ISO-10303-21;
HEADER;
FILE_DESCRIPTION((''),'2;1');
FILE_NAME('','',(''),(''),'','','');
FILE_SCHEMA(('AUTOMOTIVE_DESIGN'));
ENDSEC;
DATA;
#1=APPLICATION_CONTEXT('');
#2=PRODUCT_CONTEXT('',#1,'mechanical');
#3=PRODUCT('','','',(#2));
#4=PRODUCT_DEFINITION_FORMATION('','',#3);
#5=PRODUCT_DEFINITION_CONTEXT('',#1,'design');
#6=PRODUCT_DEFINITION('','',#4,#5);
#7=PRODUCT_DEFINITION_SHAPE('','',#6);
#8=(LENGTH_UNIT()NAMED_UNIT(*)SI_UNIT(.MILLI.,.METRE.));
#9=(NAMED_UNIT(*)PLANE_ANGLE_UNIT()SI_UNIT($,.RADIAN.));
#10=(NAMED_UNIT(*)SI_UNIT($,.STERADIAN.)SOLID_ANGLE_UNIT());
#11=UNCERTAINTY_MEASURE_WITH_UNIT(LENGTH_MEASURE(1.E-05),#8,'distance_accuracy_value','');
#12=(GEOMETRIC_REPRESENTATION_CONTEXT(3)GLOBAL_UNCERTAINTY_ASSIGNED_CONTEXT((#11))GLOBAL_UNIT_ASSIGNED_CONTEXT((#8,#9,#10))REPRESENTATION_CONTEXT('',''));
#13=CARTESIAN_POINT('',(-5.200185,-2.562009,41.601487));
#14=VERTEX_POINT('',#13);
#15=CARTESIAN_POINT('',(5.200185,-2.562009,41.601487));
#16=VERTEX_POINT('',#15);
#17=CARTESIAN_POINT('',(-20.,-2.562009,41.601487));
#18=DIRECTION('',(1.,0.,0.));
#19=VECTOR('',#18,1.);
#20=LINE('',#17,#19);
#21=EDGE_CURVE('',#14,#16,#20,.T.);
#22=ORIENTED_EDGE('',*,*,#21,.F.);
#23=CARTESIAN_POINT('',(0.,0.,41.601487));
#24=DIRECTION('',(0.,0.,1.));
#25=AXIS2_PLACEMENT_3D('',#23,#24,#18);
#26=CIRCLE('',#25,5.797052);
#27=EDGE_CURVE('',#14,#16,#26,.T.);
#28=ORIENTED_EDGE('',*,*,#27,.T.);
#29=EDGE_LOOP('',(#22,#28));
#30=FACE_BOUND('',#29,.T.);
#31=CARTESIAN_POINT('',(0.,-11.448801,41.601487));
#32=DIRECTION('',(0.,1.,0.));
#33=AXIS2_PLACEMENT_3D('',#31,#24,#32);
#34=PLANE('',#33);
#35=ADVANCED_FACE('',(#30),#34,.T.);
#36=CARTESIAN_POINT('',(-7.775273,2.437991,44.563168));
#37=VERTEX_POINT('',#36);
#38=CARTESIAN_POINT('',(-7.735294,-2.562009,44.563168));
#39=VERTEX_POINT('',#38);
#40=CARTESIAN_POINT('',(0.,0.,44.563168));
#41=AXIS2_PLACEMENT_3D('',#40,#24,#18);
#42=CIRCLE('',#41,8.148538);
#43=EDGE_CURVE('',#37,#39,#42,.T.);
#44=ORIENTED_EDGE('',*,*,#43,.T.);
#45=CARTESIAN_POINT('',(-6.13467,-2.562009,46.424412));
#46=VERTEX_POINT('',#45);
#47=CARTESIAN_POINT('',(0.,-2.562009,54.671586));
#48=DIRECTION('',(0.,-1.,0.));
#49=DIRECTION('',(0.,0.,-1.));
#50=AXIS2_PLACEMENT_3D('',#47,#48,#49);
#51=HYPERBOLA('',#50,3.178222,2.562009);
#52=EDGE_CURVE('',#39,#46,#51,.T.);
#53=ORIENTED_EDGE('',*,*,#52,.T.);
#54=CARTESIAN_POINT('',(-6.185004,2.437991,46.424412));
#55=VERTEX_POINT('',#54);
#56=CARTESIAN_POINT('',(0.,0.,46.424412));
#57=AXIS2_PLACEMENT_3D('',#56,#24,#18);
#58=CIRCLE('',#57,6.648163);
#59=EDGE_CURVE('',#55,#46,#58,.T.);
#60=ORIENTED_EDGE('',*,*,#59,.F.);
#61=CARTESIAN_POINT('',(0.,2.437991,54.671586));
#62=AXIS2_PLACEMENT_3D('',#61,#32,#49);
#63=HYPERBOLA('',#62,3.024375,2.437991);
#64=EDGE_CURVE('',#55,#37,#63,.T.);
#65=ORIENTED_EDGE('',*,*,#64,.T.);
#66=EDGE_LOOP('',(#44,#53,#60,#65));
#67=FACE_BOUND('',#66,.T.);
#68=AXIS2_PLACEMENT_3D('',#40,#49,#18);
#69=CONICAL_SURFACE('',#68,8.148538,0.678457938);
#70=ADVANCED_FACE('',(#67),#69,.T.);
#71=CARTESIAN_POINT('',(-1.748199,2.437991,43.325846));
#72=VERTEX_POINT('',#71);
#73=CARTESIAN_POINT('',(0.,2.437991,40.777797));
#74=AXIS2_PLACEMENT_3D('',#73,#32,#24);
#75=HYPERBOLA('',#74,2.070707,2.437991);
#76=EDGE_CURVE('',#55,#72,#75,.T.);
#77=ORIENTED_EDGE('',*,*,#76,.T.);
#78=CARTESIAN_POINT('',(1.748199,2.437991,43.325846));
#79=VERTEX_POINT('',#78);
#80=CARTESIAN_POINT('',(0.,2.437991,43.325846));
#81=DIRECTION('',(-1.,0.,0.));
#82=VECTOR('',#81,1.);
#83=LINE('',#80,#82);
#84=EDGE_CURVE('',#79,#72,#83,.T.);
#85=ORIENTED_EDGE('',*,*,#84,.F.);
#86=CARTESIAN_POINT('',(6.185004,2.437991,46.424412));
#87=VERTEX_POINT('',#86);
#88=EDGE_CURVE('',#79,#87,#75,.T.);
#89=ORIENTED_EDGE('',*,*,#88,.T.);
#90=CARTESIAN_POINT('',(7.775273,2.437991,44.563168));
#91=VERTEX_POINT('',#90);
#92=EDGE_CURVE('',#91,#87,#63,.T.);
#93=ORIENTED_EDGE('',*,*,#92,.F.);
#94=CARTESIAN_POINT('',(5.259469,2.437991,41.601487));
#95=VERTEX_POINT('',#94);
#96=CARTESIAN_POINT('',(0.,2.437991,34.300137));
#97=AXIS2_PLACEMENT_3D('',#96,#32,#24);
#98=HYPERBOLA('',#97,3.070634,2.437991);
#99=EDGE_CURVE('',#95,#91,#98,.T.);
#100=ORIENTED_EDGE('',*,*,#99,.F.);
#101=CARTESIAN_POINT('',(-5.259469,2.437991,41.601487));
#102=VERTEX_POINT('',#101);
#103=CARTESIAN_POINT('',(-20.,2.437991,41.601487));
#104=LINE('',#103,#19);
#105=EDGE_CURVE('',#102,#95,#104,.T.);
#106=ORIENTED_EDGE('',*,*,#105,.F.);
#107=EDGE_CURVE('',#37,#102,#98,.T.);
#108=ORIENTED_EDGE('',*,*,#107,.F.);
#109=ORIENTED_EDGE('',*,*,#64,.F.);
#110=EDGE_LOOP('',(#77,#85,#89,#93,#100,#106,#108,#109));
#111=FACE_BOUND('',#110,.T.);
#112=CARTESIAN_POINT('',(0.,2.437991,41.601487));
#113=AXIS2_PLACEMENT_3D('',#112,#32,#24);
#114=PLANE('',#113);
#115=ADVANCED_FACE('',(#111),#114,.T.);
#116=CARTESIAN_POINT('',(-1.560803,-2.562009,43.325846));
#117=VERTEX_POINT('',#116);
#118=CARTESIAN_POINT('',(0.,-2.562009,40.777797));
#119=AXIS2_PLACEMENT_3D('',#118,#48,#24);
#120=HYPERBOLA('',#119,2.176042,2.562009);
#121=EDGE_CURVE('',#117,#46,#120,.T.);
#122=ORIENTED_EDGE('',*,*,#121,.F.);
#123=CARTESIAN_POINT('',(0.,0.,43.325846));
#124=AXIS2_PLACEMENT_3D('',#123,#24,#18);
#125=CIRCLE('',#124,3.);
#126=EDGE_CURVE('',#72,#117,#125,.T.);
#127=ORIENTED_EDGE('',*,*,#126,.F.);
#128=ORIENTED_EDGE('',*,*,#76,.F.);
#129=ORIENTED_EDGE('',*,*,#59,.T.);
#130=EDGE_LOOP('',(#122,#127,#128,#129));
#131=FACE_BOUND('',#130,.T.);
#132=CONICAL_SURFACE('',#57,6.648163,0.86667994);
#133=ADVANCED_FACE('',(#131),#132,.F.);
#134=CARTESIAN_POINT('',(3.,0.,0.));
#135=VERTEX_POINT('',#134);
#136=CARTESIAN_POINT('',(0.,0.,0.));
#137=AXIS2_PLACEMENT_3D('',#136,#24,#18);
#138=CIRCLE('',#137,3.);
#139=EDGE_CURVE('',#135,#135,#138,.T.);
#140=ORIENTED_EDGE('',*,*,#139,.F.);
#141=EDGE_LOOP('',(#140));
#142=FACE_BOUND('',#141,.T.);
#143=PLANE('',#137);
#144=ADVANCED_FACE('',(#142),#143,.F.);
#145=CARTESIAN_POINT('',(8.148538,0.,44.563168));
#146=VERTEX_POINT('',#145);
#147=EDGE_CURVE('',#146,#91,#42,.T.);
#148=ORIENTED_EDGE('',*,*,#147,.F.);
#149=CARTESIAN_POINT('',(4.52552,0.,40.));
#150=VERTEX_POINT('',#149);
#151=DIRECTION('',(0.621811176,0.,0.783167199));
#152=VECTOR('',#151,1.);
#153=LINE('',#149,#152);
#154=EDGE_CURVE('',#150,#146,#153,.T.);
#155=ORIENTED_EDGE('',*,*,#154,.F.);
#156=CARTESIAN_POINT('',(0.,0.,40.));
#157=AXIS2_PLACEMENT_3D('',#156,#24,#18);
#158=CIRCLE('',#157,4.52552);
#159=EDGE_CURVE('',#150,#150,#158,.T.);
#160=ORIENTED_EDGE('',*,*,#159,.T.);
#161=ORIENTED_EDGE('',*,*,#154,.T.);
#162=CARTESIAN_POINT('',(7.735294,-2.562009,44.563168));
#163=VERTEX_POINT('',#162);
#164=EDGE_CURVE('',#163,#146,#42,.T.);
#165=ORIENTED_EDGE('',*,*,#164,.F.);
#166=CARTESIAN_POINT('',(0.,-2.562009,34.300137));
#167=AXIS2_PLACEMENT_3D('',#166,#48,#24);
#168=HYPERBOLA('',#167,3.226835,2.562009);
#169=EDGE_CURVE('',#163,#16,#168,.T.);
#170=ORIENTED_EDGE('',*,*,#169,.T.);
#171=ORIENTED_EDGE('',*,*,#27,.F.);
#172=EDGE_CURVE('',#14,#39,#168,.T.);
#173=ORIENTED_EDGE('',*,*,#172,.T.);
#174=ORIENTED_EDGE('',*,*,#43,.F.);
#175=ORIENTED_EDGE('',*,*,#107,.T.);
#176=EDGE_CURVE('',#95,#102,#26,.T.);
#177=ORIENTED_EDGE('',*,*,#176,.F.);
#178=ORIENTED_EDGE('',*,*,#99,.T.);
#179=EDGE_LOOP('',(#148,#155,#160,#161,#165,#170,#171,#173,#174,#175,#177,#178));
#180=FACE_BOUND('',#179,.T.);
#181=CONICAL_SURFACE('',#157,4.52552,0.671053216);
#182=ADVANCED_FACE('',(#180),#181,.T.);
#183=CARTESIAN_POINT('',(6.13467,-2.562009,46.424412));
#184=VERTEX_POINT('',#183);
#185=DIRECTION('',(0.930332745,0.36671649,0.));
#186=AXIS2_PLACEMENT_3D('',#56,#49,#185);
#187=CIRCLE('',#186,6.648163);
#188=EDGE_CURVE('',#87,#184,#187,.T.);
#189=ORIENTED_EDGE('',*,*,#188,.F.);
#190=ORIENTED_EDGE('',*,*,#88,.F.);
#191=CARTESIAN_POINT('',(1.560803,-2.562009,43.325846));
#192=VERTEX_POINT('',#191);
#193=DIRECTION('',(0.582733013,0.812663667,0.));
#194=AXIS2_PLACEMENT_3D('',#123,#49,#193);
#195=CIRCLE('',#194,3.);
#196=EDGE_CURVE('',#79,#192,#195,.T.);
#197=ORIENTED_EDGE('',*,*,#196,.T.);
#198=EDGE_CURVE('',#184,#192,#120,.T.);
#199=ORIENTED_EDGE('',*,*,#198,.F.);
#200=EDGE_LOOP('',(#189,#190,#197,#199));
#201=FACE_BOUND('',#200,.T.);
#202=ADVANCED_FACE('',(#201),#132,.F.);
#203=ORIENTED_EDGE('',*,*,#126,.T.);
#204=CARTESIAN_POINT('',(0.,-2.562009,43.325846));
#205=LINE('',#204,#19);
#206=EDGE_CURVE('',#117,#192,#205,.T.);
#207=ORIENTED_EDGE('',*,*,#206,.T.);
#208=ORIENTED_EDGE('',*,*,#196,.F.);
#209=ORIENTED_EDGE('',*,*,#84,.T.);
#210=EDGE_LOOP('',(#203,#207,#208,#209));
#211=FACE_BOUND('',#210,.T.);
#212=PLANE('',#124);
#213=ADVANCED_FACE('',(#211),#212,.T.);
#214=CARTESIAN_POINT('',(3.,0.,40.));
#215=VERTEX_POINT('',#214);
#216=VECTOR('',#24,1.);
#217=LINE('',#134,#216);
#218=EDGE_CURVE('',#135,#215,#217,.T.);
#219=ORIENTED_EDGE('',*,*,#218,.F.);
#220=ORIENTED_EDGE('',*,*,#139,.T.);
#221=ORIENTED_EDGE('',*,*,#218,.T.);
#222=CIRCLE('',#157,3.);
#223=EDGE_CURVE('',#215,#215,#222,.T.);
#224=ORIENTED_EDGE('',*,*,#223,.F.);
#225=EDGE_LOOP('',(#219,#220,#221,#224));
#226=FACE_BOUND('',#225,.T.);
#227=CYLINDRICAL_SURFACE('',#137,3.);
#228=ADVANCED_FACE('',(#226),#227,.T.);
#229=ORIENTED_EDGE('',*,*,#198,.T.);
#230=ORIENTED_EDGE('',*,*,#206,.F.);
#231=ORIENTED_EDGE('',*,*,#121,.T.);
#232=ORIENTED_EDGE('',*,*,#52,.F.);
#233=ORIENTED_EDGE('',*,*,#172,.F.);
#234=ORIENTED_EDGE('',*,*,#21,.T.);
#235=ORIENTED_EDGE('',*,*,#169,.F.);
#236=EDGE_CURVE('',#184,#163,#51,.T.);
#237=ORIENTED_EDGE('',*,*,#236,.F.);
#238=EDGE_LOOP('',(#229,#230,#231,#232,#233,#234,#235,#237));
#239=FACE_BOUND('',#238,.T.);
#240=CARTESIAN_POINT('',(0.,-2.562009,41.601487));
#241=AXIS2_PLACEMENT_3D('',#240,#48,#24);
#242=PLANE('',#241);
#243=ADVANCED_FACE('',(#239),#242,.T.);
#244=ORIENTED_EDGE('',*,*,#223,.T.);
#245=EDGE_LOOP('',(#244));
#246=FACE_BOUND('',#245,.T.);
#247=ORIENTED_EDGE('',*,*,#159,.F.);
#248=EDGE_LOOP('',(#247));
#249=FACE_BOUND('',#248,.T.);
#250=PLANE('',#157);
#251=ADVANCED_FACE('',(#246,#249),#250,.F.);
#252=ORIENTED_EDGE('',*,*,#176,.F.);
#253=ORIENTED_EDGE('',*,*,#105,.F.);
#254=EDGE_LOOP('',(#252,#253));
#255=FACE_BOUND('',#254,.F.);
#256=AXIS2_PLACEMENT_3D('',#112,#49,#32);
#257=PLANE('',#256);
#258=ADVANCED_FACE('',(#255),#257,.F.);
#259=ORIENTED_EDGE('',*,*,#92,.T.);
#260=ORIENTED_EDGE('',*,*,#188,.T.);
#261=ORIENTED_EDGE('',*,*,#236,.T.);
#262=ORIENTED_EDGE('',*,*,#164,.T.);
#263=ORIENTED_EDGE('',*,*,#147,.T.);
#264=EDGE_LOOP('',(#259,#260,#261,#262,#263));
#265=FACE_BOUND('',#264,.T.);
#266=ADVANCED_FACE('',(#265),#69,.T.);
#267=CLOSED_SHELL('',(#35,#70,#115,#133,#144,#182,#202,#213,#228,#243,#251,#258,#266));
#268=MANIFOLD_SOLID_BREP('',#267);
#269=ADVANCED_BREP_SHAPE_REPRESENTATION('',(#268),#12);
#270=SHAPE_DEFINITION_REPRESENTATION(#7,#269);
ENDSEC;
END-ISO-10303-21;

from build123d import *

# Parameters (mm, degrees)
F2_W     = 8.886791
F2_H     = 11.736567
F2_W_2   = 7.621294
F3_DEPTH = 20


with BuildPart() as f1:
    # F0 (on Front) → F1 (revolve)
    with BuildSketch(Plane.XZ):
        Polygon((0, 43.325846), (0, 0), (3, 0), (3, 40), (4.52552, 40), (8.148538, 44.563168), (6.648163, 46.424412), (3, 43.325846), align=None)
    revolve(axis=Axis((0, 0, 21.662923), (0, 0, 1)))

    # F2 (on Right) → F3 (cut, symmetric)
    with BuildSketch(Plane.YZ):
        with Locations((-7.005405, 47.46977)):
            Rectangle(F2_W, F2_H)
        with Locations((6.248638, 47.46977)):
            Rectangle(F2_W_2, F2_H)
    extrude(amount=F3_DEPTH, both=True, mode=Mode.SUBTRACT)


solid = f1.part
